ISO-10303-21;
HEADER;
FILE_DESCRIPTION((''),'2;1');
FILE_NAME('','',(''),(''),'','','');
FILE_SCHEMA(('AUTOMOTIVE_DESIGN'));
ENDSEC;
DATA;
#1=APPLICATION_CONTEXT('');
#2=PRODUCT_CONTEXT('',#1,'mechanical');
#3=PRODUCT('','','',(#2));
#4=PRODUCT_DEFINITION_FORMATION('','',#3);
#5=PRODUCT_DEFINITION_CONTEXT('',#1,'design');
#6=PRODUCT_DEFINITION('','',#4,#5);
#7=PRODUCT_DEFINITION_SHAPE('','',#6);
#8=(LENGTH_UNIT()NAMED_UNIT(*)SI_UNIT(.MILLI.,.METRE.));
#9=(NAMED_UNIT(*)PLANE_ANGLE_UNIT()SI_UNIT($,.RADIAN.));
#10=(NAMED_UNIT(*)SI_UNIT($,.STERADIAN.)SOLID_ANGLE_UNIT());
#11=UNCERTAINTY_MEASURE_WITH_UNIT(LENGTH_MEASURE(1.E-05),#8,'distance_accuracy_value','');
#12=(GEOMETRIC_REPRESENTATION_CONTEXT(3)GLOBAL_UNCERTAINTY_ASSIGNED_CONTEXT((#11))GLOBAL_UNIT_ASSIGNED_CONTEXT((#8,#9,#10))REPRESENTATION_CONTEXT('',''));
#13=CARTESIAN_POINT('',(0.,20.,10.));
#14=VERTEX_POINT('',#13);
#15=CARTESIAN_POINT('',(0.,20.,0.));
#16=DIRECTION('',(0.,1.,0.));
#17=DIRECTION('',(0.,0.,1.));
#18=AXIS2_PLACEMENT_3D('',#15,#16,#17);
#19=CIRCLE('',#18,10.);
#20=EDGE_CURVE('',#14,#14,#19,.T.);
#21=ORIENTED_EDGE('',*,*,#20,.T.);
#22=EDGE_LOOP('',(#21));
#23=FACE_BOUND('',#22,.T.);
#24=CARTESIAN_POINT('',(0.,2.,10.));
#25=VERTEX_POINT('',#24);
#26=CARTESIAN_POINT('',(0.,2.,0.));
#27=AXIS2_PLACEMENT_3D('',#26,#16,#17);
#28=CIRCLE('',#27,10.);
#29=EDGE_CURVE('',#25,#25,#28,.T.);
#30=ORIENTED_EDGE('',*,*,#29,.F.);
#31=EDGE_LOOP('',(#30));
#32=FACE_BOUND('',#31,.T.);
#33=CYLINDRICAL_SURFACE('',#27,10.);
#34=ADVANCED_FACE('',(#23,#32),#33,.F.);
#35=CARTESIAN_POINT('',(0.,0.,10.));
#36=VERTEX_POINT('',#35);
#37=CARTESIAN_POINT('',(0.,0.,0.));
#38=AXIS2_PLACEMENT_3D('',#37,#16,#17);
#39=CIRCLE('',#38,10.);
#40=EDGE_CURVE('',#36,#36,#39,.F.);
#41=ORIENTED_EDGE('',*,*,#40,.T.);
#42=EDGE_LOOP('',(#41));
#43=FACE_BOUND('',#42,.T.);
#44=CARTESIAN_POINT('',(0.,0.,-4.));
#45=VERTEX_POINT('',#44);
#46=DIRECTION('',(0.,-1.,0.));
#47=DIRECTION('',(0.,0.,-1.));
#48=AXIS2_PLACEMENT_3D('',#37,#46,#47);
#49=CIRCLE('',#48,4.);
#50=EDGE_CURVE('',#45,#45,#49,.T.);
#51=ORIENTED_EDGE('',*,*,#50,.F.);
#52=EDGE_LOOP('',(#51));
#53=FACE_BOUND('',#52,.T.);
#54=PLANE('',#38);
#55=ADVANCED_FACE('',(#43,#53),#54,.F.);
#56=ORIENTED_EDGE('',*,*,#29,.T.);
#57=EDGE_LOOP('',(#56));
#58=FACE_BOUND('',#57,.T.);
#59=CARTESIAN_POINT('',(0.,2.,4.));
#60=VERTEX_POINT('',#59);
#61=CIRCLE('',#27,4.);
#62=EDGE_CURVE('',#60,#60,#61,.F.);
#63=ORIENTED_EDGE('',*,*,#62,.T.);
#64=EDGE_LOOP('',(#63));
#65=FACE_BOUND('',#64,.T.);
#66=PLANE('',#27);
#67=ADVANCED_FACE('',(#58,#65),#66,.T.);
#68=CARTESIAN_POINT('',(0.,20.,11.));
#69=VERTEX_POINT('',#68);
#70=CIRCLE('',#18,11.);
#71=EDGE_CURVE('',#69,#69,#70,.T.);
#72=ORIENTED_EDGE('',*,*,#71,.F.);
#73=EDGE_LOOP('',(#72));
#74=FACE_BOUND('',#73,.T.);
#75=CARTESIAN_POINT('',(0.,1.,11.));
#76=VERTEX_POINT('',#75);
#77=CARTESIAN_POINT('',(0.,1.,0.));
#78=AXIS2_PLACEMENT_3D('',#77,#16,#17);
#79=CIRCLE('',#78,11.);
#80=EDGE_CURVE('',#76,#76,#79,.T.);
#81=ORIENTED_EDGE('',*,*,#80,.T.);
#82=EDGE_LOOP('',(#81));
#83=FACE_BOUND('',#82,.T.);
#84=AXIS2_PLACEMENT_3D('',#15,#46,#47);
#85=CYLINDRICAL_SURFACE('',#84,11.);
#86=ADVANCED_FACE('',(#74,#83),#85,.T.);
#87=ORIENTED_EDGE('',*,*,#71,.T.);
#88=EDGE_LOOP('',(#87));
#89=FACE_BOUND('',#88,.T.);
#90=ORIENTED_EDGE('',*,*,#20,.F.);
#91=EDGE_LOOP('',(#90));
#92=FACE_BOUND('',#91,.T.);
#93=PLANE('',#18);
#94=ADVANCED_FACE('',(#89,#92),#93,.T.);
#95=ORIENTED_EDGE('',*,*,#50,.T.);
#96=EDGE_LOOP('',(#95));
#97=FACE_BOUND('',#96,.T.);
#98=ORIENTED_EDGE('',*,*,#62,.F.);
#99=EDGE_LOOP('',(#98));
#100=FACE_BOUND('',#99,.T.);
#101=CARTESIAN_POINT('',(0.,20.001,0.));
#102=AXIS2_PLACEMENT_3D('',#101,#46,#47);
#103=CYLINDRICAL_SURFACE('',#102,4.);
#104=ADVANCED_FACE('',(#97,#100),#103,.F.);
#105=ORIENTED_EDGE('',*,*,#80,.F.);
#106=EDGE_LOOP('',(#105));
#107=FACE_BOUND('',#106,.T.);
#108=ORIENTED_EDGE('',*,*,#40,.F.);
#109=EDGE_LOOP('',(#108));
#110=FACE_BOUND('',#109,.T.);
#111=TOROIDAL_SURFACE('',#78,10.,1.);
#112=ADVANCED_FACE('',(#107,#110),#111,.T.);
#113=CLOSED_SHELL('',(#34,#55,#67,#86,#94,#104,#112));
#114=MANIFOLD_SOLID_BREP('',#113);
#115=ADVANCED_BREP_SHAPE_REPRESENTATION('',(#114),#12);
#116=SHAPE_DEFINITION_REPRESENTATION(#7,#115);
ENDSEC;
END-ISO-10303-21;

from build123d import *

# Parameters (mm, degrees)
SKETCH1_R           = 11
BOSS_EXTRUDE1_DEPTH = 20
SKETCH2_R           = 10
CUT_EXTRUDE1_DEPTH  = 18
FILLET1_R           = 1
CUT_EXTRUDE2_REACH  = 27.338
SKETCH3_R           = 4


with BuildPart() as part:
    # Sketch1 → Boss-Extrude1 (new body)
    with BuildSketch(Plane(origin=(0, 0, 0), x_dir=(1, 0, 0), z_dir=(0, 1, 0))):
        with Locations(Location((0, 0, 0), (0, 0, 270))):
            Circle(SKETCH1_R)
    extrude(amount=BOSS_EXTRUDE1_DEPTH)

    # Sketch2 → Cut-Extrude1 (cut)
    with BuildSketch(Plane(origin=(0, 20, 0), x_dir=(1, 0, 0), z_dir=(0, 1, 0))):
        with Locations(Location((0, 0, 0), (0, 0, 270))):
            Circle(SKETCH2_R)
    extrude(amount=-CUT_EXTRUDE1_DEPTH, mode=Mode.SUBTRACT)

    # Fillet1
    fillet1_edges = [part.edges().sort_by_distance(p)[0] for p in [
        (0, 0, -11),
    ]]
    fillet(fillet1_edges, radius=FILLET1_R)

    # Sketch3 → Cut-Extrude2 (cut, up to next)
    with BuildSketch(Plane.XZ, mode=Mode.PRIVATE) as cut_extrude2_sk1:
        with Locations(Location((0, 0, 0), (0, 0, 270))):
            Circle(SKETCH3_R)
    cut_extrude2_tool1 = extrude(cut_extrude2_sk1.sketch, amount=-CUT_EXTRUDE2_REACH, mode=Mode.PRIVATE) & part.part
    add(cut_extrude2_tool1.solids().sort_by_distance((0, 0, 0))[0], mode=Mode.SUBTRACT)


solid = part.part
